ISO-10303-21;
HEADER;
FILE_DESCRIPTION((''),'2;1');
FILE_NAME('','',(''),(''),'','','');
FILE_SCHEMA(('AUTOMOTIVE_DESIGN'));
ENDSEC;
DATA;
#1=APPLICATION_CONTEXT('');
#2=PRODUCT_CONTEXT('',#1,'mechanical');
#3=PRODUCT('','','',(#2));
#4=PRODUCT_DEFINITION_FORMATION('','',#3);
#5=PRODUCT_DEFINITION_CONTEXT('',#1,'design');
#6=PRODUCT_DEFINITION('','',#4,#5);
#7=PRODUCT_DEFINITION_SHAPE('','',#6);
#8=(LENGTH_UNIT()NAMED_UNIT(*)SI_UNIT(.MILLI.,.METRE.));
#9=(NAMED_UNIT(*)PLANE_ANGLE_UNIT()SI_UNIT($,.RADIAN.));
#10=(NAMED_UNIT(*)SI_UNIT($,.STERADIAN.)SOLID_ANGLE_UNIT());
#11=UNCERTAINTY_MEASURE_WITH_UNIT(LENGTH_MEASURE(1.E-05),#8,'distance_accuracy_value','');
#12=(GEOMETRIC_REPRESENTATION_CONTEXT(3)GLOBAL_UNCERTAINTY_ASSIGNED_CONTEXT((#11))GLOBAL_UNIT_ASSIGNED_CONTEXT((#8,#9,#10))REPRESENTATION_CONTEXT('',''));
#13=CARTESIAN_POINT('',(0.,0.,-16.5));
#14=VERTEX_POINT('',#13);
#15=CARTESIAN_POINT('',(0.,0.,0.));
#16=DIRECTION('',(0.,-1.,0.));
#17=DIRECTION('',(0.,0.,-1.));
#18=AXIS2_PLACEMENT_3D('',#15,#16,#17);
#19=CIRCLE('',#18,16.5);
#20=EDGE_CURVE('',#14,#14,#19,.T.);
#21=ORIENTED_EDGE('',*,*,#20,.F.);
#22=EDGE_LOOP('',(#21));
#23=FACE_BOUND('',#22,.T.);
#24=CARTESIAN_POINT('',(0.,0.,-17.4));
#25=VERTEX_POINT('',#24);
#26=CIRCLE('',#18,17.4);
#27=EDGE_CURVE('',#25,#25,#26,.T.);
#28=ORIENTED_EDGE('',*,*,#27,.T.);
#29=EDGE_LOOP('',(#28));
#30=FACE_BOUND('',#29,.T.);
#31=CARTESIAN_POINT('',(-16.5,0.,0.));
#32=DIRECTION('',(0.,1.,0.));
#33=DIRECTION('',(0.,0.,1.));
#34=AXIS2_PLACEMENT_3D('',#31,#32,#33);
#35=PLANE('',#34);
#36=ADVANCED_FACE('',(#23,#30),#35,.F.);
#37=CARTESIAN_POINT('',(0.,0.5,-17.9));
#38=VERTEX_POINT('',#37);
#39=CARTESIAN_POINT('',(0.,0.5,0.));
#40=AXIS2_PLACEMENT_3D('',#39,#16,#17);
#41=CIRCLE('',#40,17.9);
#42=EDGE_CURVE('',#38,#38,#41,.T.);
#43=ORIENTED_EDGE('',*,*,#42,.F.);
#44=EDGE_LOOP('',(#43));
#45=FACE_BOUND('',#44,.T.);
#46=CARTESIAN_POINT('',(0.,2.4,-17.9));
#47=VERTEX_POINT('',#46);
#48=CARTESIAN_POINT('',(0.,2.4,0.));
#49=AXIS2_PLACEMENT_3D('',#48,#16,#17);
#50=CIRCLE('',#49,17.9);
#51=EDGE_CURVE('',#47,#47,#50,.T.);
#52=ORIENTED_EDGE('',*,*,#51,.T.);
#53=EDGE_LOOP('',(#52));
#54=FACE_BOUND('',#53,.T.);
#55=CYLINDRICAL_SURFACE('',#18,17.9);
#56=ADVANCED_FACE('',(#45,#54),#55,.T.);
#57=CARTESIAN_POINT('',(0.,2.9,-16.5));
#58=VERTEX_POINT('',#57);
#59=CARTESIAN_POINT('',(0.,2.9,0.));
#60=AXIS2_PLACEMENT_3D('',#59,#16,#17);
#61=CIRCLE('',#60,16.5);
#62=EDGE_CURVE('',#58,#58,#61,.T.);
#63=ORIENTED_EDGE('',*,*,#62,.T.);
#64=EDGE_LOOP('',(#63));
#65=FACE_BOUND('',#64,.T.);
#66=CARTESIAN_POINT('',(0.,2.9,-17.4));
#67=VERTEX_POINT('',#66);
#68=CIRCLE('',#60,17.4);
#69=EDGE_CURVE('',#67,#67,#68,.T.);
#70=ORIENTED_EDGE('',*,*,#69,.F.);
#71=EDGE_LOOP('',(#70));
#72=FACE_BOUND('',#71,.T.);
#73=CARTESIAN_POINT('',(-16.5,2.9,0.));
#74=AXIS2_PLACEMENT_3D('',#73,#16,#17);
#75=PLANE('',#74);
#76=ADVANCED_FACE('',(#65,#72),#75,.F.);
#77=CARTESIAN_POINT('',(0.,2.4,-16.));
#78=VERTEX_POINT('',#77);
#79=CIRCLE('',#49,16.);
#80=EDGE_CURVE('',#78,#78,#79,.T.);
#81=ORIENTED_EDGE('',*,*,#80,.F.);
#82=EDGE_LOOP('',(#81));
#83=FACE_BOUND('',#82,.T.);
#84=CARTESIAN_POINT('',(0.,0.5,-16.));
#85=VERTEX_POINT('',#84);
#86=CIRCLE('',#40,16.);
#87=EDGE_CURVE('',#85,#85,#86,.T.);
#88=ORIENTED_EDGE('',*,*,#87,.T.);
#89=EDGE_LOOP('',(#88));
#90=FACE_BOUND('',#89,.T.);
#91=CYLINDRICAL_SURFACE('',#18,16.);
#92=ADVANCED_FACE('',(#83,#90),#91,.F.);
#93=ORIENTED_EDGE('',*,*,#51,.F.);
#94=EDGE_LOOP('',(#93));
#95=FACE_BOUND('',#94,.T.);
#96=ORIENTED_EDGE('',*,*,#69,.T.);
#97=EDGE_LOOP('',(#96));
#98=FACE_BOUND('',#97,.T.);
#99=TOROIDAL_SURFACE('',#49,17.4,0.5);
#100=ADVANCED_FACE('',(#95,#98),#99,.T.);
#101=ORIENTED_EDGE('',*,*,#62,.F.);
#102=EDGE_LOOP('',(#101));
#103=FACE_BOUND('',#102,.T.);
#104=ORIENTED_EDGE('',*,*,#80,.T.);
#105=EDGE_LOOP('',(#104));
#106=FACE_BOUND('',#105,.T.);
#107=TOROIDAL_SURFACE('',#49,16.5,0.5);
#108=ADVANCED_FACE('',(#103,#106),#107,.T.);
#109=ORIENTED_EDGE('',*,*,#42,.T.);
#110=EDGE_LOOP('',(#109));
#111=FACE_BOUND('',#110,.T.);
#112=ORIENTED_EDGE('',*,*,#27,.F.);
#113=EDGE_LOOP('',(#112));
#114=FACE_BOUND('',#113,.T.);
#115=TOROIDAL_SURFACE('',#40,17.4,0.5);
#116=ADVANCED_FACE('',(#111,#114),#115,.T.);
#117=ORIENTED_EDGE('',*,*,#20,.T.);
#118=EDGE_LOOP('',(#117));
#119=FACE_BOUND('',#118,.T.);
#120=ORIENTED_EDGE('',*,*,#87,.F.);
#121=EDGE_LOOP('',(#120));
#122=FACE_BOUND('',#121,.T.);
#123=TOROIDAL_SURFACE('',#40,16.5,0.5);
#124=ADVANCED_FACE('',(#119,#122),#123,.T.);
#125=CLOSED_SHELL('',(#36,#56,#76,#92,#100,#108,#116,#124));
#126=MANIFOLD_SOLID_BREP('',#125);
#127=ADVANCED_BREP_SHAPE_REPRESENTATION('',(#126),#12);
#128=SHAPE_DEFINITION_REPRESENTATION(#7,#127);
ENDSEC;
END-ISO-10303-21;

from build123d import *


with BuildPart() as part:
    # Эскиз1 → Повернуть1 (revolve)
    with BuildSketch(Plane.XY, mode=Mode.PRIVATE) as revolve_1_sk:
        with BuildLine():
            Line((-16.5, 0), (-17.4, 0))
            ThreePointArc((-17.4, 0), (-17.753553391, 0.146446609), (-17.9, 0.5))
            Line((-17.9, 0.5), (-17.9, 2.4))
            ThreePointArc((-17.9, 2.4), (-17.753553391, 2.753553391), (-17.4, 2.9))
            Line((-17.4, 2.9), (-16.5, 2.9))
            ThreePointArc((-16.5, 2.9), (-16.146446609, 2.753553391), (-16, 2.4))
            Line((-16, 2.4), (-16, 0.5))
            ThreePointArc((-16, 0.5), (-16.146446609, 0.146446609), (-16.5, 0))
        make_face()
    revolve(revolve_1_sk.sketch.rotate(Axis((0, 0, 0), (0, 1, 0)), 270), axis=Axis((0, 0, 0), (0, 1, 0)))


solid = part.part
